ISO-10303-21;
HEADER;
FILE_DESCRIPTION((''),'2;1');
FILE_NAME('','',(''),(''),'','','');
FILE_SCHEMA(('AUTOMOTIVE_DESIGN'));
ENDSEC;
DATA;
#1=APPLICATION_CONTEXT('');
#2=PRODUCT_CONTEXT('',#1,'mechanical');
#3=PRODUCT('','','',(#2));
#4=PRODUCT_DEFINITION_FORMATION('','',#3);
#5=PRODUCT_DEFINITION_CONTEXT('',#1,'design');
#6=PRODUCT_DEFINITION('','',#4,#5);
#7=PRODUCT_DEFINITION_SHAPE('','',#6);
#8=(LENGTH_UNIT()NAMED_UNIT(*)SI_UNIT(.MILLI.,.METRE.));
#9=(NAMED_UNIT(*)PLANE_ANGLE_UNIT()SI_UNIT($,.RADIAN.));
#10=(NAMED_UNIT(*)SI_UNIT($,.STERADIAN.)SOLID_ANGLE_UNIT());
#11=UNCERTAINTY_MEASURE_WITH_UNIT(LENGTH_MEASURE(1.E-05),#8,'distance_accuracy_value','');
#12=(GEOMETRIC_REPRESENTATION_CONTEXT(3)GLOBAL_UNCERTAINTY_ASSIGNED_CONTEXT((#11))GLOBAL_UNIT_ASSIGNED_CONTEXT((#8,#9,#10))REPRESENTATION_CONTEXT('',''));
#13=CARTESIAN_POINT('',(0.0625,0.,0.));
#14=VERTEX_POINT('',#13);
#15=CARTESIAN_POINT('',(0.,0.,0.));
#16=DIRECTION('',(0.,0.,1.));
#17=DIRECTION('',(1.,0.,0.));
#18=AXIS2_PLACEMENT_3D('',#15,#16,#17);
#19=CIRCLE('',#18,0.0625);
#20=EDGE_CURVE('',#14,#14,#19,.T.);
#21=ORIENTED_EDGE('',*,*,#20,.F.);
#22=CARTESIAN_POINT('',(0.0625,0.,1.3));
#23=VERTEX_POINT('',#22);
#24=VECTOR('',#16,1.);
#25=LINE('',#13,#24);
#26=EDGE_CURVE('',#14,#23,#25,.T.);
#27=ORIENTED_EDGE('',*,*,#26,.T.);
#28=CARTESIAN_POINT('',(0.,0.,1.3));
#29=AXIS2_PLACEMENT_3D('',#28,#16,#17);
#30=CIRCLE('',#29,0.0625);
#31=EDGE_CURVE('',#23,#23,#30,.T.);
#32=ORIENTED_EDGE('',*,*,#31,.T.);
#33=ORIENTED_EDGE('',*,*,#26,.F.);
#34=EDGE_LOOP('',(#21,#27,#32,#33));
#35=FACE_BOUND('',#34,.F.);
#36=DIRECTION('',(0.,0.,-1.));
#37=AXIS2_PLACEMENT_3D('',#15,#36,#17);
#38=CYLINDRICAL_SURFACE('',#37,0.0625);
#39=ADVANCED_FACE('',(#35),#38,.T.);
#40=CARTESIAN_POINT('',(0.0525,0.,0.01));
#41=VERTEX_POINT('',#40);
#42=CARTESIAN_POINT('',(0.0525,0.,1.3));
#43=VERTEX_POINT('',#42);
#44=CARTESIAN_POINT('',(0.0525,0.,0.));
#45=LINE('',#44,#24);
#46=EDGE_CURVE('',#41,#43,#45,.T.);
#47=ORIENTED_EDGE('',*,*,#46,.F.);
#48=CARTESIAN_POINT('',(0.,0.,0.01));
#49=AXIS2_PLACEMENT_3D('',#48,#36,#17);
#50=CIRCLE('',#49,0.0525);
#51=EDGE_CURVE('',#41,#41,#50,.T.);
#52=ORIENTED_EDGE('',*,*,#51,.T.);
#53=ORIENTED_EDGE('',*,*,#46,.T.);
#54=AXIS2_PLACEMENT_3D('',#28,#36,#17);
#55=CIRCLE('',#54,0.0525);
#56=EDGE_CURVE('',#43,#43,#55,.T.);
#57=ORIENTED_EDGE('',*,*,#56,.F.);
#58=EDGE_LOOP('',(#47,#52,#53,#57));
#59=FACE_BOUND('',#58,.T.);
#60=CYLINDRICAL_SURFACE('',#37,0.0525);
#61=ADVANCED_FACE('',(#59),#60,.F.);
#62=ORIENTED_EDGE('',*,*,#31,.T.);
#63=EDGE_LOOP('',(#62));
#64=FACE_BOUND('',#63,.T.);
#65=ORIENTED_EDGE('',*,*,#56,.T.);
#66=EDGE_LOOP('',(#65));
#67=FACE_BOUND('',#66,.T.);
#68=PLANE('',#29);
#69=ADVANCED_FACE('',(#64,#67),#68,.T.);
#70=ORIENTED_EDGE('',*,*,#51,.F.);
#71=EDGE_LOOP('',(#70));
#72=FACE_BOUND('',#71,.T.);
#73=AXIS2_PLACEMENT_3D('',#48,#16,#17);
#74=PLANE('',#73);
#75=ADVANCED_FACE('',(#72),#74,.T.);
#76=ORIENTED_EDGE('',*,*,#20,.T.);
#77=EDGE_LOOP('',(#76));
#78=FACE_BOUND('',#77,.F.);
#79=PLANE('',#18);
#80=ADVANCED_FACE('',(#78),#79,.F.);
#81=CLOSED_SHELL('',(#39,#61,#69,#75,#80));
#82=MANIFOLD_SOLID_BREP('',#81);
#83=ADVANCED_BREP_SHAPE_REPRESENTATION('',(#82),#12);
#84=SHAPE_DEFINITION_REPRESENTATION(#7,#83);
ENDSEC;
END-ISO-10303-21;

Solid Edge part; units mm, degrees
sketch "Sketch1" plane through (0, 0, 0) normal (0, 0, 1) x (1, 0, 0)
  circle A0 centre (0, 0) radius 0.0625
  dimension "D1" = 0.125
extrude "Protrusion1" add sketch "Sketch1" along normal blind 1.3
shell "Dünnwand_1" thickness 0.01 removed faces 1 at (-0.0429, -0.0404, 1.3)
